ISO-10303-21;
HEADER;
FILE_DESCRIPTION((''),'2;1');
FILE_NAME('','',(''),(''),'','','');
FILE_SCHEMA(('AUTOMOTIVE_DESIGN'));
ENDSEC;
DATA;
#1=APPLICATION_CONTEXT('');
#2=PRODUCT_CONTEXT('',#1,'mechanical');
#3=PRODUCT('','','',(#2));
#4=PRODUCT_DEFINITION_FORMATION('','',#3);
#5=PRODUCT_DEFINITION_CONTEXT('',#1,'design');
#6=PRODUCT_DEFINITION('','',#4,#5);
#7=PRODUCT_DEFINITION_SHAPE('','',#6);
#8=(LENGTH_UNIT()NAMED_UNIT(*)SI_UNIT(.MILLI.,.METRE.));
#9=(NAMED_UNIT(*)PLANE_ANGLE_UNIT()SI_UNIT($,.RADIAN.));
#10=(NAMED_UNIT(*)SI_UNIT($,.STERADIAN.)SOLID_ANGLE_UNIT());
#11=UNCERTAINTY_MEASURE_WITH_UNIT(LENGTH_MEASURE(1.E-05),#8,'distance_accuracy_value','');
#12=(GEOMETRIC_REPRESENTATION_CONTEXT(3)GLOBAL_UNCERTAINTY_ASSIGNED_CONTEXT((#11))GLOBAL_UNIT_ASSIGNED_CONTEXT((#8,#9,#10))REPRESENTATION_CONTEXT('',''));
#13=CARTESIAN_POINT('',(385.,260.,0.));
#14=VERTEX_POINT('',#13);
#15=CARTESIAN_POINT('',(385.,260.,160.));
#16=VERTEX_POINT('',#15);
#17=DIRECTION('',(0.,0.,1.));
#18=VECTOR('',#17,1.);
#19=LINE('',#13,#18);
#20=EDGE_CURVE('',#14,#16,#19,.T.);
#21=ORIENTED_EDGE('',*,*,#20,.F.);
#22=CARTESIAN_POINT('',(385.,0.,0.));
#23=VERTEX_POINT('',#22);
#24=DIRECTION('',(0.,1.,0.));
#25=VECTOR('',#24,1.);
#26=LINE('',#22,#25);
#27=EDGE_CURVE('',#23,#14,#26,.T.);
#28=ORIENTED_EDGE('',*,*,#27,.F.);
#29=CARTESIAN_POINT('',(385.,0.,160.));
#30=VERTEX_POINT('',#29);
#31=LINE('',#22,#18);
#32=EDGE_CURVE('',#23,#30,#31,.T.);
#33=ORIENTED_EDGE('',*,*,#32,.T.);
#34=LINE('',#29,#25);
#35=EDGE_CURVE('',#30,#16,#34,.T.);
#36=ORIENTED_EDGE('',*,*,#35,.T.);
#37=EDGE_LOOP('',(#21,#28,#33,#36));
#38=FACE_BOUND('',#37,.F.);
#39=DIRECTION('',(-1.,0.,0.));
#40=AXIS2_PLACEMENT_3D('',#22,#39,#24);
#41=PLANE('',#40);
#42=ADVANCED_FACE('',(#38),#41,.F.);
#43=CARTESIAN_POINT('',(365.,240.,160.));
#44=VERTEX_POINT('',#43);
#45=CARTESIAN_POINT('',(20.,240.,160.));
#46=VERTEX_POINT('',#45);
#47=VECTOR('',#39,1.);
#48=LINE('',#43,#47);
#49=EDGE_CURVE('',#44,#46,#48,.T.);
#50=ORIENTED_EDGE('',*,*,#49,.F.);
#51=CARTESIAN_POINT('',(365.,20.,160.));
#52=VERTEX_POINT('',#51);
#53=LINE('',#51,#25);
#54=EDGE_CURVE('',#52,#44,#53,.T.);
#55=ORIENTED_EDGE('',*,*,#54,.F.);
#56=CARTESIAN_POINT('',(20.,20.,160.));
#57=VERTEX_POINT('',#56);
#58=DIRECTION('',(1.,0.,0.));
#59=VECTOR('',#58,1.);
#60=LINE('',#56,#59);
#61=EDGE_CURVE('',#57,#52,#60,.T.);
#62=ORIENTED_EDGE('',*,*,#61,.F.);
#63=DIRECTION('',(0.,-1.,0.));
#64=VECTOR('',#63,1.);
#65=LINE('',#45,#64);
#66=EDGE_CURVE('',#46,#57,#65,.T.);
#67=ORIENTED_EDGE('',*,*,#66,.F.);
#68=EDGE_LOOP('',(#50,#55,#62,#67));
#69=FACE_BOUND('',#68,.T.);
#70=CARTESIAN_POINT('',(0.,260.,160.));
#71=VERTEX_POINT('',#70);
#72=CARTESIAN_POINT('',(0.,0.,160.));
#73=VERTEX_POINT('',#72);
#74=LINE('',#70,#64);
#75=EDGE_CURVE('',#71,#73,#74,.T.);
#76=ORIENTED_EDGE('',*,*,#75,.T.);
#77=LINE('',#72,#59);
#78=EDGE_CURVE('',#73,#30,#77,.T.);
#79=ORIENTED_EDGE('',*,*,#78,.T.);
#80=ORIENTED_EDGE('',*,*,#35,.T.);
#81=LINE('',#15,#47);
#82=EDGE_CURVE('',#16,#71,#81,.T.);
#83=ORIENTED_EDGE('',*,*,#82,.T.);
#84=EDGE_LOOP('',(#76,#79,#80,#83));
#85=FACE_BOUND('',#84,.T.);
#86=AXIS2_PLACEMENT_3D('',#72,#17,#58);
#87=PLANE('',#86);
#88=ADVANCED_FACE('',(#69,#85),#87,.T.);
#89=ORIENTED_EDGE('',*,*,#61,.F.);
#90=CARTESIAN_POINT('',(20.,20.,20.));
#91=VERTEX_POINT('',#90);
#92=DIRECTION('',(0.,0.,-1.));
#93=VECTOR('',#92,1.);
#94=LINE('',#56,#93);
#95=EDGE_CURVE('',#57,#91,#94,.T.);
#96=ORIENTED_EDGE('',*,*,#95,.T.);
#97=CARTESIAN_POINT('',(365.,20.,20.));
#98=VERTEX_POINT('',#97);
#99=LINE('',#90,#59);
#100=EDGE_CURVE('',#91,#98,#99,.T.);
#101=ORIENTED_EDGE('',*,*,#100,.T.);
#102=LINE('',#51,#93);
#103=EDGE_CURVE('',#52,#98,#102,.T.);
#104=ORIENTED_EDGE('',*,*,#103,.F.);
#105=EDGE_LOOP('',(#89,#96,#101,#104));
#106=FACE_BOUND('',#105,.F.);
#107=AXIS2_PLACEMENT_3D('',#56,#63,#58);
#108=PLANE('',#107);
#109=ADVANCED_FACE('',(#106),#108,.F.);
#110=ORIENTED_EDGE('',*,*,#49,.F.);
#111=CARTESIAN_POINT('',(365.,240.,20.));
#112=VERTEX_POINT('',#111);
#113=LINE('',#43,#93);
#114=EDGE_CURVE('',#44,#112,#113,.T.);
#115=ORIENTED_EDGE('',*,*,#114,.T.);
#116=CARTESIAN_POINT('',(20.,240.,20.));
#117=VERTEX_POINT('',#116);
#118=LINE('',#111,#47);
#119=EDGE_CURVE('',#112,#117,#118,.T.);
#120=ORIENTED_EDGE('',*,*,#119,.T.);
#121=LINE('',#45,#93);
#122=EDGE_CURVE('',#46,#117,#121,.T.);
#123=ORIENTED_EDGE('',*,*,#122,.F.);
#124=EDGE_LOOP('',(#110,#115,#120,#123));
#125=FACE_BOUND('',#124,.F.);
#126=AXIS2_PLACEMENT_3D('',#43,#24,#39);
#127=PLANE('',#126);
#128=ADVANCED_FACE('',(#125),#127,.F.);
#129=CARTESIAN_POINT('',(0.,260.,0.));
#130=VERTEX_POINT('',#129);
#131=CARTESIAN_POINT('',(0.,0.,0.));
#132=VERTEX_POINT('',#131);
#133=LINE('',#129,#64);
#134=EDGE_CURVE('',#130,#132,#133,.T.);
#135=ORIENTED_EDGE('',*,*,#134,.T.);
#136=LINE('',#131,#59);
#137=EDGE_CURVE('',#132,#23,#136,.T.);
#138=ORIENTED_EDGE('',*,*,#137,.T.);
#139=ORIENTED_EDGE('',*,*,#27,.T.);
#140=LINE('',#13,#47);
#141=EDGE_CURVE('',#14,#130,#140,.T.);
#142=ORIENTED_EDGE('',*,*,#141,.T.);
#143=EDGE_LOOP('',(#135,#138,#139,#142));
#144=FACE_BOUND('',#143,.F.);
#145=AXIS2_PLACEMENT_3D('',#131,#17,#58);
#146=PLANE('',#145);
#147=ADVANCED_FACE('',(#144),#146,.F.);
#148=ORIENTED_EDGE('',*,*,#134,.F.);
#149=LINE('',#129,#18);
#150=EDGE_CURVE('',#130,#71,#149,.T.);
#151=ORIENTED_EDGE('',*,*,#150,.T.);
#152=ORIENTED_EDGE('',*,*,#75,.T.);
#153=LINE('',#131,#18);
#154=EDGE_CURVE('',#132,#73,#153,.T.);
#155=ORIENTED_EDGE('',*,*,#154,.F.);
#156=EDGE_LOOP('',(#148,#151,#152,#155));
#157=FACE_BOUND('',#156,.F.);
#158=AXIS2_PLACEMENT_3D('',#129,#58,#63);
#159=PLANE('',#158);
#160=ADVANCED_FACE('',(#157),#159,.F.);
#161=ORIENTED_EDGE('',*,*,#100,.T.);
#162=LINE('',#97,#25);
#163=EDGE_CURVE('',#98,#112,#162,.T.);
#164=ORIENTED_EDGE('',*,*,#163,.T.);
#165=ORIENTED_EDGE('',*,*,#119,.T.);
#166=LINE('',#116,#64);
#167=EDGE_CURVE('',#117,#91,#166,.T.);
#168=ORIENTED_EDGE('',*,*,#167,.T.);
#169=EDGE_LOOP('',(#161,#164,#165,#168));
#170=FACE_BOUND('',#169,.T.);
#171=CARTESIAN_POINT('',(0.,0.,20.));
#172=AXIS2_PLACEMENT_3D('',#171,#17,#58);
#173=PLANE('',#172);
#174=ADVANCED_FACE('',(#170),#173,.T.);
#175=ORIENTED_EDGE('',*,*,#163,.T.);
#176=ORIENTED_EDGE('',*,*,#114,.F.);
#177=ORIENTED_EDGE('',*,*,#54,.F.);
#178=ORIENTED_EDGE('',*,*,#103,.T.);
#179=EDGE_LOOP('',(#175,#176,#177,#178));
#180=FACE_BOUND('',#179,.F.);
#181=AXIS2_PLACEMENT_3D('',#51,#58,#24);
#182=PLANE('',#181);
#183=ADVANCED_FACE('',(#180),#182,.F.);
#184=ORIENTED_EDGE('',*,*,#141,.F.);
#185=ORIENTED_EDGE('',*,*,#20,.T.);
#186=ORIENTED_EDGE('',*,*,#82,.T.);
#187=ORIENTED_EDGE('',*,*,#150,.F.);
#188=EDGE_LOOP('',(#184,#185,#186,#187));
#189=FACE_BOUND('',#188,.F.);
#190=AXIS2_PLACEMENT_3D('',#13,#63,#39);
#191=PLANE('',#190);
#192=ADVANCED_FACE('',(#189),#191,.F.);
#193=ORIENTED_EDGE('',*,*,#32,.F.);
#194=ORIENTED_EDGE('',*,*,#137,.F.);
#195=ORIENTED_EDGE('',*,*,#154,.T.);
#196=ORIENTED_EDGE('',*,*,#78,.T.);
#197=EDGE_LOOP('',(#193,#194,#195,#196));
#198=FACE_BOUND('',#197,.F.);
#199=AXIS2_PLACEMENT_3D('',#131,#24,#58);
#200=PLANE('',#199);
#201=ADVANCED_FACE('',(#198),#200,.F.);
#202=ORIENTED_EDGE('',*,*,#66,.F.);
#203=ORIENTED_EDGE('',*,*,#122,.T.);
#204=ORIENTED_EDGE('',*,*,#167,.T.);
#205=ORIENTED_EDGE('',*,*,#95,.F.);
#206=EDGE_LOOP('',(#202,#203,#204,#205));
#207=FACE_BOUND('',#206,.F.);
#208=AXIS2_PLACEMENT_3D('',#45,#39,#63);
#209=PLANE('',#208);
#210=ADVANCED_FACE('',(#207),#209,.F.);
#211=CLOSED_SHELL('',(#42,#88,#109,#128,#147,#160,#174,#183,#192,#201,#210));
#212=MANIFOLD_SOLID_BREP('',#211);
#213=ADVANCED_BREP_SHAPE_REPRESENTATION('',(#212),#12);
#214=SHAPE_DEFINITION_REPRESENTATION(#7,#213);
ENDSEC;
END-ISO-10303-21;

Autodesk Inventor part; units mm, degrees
ref_plane "YZ Plane" through (0, 0, 0) normal (1, 0, 0) x (0, 1, 0)
ref_plane "XZ Plane" through (0, 0, 0) normal (0, 1, 0) x (-1, 0, 0)
ref_plane "XY Plane" through (0, 0, 0) normal (0, 0, 1) x (1, 0, 0)
sketch "Sketch1" plane through (0, 0, 0) normal (0, 0, 1) x (1, 0, 0)
  line L0 (0, 0) -> (385, 0)
  line L1 (385, 0) -> (385, 260)
  line L2 (385, 260) -> (0, 260)
  line L3 (0, 260) -> (0, 0)
  dimension "d0" = 385
  dimension "d1" = 260
extrude "Extrusion1" add sketch "Sketch1" along normal blind 160
sketch "Sketch2" plane through (0, 0, 160) normal (0, 0, 1) x (1, 0, 0)
  line L0 (20, 20) -> (365, 20)
  line L1 (365, 20) -> (365, 240)
  line L2 (365, 240) -> (20, 240)
  line L3 (20, 240) -> (20, 20)
  line L4 (385, 0) -> (385, 260) projected
  line L5 (385, 260) -> (0, 260) projected
  line L6 (0, 0) -> (385, 0) projected
  line L7 (0, 260) -> (0, 0) projected
  point P0 (365, 130)
  dimension "d4" = 20
  dimension "d5" = 20
  dimension "d6" = 20
  dimension "d7" = 20
extrude "Extrusion2" cut sketch "Sketch2" against normal blind 140 contours L3 L2 L1 L0
properties part number "Box"
